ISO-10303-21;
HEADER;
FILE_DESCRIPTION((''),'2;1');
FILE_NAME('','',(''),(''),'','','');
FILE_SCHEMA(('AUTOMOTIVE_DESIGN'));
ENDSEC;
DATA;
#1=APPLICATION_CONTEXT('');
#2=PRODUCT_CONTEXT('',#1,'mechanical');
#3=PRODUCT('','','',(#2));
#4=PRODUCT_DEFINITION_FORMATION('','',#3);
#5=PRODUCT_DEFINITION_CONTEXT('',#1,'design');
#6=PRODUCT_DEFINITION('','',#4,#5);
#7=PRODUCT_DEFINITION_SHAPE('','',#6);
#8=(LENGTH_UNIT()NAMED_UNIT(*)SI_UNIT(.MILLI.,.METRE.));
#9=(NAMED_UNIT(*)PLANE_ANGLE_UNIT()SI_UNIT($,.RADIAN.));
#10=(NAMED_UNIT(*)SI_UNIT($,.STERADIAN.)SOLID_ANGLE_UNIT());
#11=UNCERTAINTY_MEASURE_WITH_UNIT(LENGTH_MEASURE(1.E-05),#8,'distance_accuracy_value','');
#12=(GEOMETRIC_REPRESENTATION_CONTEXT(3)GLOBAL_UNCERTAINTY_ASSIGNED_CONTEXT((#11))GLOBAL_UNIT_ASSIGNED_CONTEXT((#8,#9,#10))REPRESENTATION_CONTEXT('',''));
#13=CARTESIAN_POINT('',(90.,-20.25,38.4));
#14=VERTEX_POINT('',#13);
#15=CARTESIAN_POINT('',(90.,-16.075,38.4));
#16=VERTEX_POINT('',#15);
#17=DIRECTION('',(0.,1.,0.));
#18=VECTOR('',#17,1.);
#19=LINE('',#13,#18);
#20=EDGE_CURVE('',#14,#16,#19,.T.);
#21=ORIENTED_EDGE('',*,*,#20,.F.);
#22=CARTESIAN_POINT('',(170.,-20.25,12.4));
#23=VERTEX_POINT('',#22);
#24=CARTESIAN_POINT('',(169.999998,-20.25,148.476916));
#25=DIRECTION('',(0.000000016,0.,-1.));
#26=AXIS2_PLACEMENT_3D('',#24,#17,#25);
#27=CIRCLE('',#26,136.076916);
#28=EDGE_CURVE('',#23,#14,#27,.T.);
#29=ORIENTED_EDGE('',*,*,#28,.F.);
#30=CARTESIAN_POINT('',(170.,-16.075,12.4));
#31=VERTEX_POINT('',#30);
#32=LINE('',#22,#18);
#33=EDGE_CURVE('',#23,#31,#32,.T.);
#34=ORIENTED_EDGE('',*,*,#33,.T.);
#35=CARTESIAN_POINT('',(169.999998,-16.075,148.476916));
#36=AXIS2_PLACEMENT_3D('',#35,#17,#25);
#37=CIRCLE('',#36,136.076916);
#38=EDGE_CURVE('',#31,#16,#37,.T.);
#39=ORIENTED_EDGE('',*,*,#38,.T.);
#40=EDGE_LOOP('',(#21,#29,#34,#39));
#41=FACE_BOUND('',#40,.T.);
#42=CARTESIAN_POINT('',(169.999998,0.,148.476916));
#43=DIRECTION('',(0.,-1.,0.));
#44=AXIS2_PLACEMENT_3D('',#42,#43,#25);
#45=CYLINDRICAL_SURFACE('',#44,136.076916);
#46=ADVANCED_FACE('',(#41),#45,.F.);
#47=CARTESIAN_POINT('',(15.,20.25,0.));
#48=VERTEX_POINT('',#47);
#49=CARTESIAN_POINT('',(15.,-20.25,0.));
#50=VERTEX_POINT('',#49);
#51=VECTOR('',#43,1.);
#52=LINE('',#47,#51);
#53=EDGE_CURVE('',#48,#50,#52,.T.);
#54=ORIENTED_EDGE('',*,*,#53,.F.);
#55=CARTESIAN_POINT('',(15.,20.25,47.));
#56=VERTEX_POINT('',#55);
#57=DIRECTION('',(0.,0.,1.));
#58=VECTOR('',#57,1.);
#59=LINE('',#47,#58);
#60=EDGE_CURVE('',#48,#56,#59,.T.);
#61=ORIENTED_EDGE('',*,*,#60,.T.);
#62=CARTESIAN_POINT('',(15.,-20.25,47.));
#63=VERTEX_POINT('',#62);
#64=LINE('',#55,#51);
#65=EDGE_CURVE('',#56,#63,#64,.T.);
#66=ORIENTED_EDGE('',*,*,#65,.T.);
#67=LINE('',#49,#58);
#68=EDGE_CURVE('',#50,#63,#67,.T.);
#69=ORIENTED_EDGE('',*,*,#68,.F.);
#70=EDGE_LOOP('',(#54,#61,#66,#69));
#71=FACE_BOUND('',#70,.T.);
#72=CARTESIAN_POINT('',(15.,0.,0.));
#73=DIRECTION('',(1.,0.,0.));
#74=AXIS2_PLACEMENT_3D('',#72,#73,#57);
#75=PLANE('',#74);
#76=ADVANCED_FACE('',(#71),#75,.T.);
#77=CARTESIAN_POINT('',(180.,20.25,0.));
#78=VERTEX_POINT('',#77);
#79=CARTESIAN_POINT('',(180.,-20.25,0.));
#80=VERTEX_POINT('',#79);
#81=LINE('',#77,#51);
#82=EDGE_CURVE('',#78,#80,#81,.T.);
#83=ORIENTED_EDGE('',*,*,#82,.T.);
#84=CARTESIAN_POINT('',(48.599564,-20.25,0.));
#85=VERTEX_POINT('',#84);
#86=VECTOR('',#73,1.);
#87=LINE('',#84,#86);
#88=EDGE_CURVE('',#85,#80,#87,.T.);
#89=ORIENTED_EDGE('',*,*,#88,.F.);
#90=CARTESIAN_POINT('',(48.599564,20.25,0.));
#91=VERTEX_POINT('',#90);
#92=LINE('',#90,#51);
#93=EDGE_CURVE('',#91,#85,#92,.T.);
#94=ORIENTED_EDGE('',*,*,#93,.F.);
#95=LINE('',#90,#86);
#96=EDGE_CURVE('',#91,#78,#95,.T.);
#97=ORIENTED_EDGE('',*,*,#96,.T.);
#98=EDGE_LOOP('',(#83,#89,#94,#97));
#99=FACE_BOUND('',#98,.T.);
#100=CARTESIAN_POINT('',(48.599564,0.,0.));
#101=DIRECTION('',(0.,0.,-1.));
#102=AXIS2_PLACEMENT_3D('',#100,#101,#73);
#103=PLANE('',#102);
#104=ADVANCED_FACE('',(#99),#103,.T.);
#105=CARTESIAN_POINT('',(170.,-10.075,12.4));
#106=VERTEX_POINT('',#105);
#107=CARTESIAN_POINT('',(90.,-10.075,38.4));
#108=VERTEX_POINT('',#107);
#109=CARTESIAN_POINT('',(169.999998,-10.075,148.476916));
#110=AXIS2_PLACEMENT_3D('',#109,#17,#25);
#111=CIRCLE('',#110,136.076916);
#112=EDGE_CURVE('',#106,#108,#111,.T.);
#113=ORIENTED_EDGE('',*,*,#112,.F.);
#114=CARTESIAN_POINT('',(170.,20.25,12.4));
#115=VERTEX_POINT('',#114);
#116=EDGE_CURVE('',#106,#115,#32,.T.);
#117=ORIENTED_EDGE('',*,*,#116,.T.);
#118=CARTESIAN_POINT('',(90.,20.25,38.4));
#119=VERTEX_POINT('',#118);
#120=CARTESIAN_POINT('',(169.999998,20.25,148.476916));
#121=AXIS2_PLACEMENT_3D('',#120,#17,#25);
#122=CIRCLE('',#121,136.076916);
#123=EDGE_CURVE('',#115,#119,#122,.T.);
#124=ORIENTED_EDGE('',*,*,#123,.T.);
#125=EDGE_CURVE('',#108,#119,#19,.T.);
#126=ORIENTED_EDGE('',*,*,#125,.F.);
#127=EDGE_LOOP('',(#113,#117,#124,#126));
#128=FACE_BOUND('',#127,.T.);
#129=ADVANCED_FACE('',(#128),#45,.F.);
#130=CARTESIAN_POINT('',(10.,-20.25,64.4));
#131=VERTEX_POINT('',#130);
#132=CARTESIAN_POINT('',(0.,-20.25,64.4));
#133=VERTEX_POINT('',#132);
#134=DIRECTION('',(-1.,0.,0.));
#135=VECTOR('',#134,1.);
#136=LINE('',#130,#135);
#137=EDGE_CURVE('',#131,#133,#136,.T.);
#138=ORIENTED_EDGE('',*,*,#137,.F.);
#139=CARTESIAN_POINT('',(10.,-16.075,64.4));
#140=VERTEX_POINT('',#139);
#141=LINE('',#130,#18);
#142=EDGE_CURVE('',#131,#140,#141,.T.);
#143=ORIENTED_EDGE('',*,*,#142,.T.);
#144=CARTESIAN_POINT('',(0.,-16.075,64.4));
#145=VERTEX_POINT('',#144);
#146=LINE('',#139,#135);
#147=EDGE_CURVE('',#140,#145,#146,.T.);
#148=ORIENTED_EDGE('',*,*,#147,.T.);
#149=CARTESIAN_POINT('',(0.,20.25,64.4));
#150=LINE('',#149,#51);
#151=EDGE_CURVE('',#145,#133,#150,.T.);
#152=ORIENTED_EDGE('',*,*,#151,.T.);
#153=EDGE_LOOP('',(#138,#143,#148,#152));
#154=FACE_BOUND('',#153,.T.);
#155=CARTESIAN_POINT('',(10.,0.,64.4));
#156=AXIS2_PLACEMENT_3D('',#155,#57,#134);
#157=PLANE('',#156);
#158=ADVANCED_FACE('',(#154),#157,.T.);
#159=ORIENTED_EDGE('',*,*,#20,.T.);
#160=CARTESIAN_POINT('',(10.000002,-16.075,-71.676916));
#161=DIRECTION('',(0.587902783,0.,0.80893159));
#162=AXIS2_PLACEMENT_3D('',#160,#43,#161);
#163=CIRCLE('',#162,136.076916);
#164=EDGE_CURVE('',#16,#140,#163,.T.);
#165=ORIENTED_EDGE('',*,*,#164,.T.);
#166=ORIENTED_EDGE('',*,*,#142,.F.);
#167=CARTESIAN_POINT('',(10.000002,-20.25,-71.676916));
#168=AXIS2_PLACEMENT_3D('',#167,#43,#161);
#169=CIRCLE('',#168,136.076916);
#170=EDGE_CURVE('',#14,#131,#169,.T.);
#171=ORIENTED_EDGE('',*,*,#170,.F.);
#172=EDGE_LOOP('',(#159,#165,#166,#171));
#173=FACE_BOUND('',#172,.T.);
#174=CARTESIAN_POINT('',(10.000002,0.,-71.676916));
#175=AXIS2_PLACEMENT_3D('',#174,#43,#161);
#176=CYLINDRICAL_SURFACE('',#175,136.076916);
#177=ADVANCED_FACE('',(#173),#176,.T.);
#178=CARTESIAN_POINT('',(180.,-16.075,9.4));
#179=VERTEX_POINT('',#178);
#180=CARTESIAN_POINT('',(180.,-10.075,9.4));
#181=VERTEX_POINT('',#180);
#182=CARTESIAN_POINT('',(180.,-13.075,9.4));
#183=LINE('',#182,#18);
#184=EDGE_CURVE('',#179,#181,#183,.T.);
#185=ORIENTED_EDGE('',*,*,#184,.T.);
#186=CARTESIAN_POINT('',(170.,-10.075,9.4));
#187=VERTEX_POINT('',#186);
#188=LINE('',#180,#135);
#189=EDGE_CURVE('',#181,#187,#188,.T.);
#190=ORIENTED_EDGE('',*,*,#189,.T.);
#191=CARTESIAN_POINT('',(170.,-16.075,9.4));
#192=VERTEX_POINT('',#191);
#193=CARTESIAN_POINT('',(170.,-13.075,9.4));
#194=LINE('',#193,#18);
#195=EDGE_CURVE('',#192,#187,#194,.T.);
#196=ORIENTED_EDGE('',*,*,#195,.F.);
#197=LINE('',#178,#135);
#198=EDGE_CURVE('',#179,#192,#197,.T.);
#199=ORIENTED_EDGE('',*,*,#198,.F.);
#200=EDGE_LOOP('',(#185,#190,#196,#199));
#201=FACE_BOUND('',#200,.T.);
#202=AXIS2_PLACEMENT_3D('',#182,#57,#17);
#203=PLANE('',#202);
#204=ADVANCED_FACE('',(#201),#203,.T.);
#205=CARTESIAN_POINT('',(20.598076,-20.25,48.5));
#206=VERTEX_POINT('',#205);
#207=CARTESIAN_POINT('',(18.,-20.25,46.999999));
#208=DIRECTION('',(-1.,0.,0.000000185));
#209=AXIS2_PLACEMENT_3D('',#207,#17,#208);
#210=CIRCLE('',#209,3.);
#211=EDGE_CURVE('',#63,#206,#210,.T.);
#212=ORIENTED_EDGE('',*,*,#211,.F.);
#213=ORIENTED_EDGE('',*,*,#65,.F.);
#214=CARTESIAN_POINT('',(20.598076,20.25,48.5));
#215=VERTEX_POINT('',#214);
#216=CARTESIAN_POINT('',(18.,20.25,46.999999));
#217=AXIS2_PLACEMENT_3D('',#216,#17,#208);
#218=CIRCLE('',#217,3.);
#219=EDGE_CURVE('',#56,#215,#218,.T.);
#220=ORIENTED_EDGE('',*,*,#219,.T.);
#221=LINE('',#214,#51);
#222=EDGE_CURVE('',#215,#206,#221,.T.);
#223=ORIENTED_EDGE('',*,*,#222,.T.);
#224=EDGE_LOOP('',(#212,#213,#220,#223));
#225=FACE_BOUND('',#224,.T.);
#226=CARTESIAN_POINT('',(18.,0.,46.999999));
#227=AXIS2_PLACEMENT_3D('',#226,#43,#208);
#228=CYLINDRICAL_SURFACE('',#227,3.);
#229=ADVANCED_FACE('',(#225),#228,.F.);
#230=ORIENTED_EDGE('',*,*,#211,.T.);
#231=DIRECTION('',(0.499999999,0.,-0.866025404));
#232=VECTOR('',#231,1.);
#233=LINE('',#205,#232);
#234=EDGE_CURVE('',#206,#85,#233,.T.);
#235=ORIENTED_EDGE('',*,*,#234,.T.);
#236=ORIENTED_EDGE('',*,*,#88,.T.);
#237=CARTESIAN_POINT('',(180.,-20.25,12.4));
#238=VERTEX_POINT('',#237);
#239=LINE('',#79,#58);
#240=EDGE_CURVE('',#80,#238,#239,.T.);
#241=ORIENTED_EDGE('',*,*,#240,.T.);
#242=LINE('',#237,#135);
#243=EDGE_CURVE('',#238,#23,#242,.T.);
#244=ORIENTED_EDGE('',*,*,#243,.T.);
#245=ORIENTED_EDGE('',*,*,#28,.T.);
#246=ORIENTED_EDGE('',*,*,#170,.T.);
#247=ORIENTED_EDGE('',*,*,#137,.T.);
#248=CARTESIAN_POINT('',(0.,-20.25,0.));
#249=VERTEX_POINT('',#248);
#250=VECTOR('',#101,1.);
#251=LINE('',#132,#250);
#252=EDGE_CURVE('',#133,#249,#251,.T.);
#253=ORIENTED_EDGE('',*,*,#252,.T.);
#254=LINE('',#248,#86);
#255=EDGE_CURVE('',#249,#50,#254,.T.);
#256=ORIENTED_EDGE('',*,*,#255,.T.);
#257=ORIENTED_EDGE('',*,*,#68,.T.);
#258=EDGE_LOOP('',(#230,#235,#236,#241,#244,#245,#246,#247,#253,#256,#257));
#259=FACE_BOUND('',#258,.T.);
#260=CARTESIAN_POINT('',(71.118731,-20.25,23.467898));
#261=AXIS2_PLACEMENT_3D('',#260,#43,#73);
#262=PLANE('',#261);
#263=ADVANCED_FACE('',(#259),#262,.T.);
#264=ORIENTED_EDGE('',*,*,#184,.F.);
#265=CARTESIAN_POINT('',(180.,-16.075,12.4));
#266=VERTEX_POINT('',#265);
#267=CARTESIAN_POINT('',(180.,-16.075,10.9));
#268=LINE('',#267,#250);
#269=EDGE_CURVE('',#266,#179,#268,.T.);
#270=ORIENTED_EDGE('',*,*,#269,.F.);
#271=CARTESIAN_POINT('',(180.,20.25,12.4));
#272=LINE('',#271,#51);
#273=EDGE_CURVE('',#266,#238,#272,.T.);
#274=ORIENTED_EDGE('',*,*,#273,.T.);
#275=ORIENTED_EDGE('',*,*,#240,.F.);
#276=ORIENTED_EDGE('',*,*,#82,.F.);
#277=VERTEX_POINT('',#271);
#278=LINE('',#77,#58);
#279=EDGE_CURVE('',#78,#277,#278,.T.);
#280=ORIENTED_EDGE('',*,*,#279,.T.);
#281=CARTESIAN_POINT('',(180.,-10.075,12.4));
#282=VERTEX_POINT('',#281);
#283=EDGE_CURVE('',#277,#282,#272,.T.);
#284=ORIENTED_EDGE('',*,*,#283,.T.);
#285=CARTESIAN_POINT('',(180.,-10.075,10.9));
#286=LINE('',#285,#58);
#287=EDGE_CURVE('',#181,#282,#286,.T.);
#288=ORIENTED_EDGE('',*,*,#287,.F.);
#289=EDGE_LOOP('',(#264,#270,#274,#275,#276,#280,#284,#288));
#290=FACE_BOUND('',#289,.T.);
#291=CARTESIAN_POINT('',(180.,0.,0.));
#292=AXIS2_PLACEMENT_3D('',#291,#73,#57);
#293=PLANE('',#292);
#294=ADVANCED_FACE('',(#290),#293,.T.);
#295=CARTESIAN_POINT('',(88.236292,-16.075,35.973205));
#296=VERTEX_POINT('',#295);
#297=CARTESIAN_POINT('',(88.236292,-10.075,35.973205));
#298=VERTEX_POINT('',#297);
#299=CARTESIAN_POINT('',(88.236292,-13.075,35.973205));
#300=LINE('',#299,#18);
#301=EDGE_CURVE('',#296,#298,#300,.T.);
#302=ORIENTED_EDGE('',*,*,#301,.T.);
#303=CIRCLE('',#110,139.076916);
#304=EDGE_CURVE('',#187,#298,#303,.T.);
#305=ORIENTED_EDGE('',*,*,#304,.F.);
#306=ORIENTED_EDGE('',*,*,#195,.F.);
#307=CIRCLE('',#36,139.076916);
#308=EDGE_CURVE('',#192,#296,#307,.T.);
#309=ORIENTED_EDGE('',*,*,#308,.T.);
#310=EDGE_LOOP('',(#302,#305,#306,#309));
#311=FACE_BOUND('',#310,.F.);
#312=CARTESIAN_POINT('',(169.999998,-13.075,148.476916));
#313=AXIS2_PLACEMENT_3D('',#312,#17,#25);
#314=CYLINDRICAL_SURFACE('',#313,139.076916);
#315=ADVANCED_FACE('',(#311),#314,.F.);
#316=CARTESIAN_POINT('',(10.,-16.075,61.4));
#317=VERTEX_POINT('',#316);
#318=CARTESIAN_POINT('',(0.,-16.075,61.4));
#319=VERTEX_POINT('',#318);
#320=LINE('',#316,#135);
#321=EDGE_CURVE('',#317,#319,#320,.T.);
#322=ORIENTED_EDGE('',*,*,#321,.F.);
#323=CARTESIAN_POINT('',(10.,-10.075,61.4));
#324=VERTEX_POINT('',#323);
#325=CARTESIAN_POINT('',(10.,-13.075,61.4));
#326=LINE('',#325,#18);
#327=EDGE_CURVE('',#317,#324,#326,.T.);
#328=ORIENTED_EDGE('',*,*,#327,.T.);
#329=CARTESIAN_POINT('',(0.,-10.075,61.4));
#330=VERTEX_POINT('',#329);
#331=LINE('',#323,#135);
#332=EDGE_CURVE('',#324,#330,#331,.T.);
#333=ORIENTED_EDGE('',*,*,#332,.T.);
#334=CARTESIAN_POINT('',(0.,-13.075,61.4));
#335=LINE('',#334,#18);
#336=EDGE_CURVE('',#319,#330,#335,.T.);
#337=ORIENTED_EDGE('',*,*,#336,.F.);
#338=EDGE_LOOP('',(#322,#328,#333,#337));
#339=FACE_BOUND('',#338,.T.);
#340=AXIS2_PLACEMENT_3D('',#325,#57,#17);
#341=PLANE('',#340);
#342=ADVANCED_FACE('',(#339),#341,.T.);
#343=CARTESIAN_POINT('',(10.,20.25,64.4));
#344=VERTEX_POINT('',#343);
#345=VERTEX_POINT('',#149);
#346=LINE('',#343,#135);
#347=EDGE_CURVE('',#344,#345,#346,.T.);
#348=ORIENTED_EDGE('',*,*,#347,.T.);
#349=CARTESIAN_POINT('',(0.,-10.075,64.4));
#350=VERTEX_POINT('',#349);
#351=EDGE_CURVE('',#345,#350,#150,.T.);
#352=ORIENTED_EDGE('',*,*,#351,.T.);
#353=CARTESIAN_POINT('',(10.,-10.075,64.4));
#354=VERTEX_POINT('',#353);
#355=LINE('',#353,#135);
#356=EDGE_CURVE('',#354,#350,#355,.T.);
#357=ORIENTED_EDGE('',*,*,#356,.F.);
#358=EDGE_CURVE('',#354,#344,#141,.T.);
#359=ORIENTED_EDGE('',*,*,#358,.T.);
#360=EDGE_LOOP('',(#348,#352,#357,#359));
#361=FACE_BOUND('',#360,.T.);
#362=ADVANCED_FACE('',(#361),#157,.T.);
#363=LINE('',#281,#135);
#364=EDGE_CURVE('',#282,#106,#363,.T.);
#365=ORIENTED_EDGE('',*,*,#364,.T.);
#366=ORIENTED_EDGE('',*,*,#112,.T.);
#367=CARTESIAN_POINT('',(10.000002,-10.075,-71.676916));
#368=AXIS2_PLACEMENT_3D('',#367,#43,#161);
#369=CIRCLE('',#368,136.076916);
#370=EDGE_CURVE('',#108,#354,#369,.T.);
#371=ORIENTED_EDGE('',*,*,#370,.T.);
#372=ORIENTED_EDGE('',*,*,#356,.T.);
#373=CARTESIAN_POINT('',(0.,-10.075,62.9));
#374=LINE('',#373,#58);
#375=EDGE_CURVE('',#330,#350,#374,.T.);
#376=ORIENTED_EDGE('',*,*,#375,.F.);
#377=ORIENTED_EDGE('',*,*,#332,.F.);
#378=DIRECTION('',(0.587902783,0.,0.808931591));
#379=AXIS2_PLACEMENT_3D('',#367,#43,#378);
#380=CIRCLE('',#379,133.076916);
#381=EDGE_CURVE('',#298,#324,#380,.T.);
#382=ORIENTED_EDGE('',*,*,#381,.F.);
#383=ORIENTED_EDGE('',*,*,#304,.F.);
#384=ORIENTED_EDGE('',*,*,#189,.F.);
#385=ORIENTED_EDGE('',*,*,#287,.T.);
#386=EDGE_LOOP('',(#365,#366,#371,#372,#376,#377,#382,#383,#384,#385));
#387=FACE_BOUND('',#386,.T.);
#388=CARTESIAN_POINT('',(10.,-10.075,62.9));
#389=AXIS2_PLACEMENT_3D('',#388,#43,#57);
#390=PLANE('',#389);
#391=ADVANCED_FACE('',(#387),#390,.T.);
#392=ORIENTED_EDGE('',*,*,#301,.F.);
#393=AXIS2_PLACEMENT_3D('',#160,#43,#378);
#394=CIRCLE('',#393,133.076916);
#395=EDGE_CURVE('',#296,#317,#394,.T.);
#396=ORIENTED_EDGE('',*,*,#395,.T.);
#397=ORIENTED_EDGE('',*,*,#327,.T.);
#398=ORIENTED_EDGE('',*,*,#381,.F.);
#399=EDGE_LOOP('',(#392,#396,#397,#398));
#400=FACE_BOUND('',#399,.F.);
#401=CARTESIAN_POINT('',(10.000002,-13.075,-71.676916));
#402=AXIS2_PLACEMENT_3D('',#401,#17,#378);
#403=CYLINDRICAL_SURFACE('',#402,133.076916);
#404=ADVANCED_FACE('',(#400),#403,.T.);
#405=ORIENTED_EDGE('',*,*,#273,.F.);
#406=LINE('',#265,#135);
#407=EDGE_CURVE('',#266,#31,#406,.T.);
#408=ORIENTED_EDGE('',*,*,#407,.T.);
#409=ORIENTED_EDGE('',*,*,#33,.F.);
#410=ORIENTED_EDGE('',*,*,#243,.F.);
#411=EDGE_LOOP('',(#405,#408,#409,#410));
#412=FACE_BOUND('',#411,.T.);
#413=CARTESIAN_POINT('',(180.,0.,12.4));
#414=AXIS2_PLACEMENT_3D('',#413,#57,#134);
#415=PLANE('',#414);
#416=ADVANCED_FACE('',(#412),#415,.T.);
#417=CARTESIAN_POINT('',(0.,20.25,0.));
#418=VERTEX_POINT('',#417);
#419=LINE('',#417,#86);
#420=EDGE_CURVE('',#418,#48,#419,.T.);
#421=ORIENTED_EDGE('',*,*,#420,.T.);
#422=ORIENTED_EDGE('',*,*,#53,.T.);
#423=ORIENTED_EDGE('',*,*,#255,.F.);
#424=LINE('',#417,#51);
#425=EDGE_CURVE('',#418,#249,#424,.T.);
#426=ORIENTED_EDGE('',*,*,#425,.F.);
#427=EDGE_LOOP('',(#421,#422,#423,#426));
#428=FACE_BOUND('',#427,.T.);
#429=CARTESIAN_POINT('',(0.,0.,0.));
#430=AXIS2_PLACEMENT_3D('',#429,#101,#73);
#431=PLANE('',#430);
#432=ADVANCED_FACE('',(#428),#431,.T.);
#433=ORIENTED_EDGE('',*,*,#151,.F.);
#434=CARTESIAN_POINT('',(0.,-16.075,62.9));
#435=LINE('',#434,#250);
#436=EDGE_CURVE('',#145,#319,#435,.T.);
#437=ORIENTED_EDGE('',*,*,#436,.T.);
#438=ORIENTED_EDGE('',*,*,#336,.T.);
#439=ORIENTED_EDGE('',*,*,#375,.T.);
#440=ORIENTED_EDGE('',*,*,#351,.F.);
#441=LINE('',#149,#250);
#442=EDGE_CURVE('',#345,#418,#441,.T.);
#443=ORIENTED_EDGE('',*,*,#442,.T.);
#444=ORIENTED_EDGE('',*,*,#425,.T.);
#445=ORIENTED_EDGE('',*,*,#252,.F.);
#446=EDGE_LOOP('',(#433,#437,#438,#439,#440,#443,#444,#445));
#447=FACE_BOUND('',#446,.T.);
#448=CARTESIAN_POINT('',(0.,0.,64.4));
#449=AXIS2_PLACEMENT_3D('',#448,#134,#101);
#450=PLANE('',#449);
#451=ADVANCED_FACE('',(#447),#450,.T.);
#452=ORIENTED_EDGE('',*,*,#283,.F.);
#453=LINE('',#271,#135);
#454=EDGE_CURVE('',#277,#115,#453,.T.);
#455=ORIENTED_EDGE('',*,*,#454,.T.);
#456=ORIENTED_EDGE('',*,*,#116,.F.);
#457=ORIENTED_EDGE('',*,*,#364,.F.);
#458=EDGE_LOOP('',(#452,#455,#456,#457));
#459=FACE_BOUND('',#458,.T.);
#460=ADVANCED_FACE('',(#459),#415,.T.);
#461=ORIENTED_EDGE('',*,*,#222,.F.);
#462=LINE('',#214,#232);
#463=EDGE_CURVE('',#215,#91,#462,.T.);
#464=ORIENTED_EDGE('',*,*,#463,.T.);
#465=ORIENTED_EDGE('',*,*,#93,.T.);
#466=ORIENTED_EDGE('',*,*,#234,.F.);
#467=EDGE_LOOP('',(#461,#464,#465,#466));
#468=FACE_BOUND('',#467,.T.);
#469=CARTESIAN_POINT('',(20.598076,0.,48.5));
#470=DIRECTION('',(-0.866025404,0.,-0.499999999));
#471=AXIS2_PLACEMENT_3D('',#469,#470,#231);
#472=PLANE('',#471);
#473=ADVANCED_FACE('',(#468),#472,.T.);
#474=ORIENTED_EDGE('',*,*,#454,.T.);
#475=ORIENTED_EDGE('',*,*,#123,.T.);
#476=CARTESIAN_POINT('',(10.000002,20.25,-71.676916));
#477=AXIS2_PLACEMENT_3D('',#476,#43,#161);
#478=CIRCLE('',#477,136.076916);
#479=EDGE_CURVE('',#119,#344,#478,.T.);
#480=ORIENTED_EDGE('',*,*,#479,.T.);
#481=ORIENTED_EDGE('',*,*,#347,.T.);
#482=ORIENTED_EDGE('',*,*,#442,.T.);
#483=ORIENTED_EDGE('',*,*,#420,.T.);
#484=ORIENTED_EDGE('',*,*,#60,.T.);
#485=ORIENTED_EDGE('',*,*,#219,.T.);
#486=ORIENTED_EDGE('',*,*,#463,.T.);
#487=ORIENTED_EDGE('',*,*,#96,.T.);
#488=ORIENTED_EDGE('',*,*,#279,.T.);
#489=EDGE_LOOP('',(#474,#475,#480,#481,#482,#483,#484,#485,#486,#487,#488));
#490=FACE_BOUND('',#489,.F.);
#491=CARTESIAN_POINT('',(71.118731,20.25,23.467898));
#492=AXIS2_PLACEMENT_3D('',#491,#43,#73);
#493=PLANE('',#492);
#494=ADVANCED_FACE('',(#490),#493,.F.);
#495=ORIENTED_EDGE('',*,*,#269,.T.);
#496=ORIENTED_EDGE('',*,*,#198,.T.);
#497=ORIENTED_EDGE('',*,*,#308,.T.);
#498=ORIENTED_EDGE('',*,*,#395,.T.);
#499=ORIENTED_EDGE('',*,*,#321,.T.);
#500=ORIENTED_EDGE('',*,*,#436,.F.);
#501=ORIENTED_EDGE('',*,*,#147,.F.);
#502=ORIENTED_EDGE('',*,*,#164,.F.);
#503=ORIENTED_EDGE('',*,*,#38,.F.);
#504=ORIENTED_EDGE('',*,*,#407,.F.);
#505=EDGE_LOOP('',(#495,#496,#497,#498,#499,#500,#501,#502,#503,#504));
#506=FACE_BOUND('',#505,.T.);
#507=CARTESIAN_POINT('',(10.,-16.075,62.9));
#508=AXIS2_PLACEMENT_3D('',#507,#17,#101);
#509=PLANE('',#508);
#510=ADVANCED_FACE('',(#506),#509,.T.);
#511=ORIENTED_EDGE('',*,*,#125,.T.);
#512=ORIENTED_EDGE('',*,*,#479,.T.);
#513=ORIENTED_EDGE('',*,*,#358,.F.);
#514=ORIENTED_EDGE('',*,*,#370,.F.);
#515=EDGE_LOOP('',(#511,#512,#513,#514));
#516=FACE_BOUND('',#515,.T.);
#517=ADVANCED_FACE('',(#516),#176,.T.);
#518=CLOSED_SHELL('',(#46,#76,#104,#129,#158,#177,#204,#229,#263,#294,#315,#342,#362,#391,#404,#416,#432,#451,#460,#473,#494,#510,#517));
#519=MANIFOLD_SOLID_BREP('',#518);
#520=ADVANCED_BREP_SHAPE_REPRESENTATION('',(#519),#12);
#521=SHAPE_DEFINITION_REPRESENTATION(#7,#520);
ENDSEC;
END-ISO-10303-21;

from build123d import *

# Parameters (mm, degrees)
F1_DEPTH = 20.25
F2_W     = 6
F2_H     = 3


with BuildPart() as f1:
    # F0 (on Front) → F1 (new body, symmetric)
    with BuildSketch(Plane.XZ):
        with BuildLine():
            Line((10, 64.4), (0, 64.4))
            Line((0, 64.4), (0, 0))
            Line((0, 0), (15, 0))
            Line((15, 0), (15, 47))
            ThreePointArc((15, 47), (17.223543, 49.897777), (20.598076, 48.5))
            Line((20.598076, 48.5), (48.599564, 0))
            Line((48.599564, 0), (180, 0))
            Line((180, 0), (180, 12.4))
            Line((180, 12.4), (170, 12.4))
            ThreePointArc((170, 12.4), (127.940518, 19.063133), (90, 38.4))
            ThreePointArc((90, 38.4), (52.059482, 57.736867), (10, 64.4))
        make_face()
    extrude(amount=F1_DEPTH, both=True)

    # F3: sweep along a path in F0
    with BuildLine(Plane.XZ) as f3_path:
        Line((180, 12.4), (170, 12.4))
        ThreePointArc((170, 12.4), (127.940518, 19.063133), (90, 38.4))
        ThreePointArc((90, 38.4), (52.059482, 57.736867), (10, 64.4))
        Line((10, 64.4), (0, 64.4))
    # F2 (on face) → F3 (sweep, cut)
    with BuildSketch(Plane.YZ.offset(180)):
        with Locations((-13.075, 10.9)):
            Rectangle(F2_W, F2_H)
    sweep(path=f3_path.line, mode=Mode.SUBTRACT)


solid = f1.part
